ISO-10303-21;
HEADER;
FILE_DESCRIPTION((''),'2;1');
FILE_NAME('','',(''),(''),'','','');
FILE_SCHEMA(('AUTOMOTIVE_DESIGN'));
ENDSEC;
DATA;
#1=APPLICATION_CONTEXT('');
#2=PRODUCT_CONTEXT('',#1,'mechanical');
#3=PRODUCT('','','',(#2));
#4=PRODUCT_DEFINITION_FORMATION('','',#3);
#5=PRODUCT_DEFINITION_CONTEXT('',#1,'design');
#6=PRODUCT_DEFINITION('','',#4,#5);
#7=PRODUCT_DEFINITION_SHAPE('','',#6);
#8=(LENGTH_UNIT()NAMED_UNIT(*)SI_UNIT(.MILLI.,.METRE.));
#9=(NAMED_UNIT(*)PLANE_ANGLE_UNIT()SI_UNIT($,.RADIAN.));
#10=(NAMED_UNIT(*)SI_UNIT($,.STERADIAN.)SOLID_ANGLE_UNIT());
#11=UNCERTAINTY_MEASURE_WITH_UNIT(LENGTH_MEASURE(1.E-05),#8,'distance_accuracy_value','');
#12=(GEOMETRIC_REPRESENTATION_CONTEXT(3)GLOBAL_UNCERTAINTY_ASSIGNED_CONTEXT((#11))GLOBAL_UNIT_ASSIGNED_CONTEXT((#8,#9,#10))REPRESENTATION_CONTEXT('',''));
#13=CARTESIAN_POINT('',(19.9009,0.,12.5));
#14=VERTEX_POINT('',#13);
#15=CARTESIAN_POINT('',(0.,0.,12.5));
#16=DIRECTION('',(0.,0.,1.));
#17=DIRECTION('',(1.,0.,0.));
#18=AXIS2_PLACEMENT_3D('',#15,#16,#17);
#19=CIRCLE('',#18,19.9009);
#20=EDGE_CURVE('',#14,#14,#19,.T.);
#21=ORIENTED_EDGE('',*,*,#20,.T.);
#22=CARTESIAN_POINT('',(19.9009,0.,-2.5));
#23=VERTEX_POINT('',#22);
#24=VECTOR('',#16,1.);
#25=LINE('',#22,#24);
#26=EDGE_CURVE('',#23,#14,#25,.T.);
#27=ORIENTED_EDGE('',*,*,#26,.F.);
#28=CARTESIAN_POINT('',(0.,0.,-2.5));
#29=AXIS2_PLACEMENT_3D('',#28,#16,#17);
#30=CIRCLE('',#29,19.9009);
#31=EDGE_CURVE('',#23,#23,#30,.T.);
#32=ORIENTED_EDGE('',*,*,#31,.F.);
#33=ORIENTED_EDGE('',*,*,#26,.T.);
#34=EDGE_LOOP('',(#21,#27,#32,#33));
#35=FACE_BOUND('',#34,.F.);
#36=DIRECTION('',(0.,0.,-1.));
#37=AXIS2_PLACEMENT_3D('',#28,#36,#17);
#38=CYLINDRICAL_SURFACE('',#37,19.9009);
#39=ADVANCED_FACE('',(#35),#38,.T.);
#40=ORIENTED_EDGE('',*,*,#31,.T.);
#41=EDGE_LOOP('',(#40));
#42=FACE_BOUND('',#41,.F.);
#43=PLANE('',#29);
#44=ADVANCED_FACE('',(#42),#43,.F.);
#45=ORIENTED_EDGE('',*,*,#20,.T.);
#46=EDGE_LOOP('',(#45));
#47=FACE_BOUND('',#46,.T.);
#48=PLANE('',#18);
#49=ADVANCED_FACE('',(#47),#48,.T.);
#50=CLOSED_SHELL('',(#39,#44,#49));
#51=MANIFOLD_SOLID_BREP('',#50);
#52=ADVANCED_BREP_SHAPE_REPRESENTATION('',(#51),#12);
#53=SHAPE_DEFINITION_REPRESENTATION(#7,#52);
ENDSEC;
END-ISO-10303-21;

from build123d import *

# Parameters (mm, degrees)
CYLINDER_R     = 19.9009
CYLINDER_DEPTH = 15


with BuildPart() as part:
    # Cylinder → Cylinder (new body)
    with BuildSketch(Plane.XY.offset(-2.5)):
        Circle(CYLINDER_R)
    extrude(amount=CYLINDER_DEPTH)


solid = part.part
